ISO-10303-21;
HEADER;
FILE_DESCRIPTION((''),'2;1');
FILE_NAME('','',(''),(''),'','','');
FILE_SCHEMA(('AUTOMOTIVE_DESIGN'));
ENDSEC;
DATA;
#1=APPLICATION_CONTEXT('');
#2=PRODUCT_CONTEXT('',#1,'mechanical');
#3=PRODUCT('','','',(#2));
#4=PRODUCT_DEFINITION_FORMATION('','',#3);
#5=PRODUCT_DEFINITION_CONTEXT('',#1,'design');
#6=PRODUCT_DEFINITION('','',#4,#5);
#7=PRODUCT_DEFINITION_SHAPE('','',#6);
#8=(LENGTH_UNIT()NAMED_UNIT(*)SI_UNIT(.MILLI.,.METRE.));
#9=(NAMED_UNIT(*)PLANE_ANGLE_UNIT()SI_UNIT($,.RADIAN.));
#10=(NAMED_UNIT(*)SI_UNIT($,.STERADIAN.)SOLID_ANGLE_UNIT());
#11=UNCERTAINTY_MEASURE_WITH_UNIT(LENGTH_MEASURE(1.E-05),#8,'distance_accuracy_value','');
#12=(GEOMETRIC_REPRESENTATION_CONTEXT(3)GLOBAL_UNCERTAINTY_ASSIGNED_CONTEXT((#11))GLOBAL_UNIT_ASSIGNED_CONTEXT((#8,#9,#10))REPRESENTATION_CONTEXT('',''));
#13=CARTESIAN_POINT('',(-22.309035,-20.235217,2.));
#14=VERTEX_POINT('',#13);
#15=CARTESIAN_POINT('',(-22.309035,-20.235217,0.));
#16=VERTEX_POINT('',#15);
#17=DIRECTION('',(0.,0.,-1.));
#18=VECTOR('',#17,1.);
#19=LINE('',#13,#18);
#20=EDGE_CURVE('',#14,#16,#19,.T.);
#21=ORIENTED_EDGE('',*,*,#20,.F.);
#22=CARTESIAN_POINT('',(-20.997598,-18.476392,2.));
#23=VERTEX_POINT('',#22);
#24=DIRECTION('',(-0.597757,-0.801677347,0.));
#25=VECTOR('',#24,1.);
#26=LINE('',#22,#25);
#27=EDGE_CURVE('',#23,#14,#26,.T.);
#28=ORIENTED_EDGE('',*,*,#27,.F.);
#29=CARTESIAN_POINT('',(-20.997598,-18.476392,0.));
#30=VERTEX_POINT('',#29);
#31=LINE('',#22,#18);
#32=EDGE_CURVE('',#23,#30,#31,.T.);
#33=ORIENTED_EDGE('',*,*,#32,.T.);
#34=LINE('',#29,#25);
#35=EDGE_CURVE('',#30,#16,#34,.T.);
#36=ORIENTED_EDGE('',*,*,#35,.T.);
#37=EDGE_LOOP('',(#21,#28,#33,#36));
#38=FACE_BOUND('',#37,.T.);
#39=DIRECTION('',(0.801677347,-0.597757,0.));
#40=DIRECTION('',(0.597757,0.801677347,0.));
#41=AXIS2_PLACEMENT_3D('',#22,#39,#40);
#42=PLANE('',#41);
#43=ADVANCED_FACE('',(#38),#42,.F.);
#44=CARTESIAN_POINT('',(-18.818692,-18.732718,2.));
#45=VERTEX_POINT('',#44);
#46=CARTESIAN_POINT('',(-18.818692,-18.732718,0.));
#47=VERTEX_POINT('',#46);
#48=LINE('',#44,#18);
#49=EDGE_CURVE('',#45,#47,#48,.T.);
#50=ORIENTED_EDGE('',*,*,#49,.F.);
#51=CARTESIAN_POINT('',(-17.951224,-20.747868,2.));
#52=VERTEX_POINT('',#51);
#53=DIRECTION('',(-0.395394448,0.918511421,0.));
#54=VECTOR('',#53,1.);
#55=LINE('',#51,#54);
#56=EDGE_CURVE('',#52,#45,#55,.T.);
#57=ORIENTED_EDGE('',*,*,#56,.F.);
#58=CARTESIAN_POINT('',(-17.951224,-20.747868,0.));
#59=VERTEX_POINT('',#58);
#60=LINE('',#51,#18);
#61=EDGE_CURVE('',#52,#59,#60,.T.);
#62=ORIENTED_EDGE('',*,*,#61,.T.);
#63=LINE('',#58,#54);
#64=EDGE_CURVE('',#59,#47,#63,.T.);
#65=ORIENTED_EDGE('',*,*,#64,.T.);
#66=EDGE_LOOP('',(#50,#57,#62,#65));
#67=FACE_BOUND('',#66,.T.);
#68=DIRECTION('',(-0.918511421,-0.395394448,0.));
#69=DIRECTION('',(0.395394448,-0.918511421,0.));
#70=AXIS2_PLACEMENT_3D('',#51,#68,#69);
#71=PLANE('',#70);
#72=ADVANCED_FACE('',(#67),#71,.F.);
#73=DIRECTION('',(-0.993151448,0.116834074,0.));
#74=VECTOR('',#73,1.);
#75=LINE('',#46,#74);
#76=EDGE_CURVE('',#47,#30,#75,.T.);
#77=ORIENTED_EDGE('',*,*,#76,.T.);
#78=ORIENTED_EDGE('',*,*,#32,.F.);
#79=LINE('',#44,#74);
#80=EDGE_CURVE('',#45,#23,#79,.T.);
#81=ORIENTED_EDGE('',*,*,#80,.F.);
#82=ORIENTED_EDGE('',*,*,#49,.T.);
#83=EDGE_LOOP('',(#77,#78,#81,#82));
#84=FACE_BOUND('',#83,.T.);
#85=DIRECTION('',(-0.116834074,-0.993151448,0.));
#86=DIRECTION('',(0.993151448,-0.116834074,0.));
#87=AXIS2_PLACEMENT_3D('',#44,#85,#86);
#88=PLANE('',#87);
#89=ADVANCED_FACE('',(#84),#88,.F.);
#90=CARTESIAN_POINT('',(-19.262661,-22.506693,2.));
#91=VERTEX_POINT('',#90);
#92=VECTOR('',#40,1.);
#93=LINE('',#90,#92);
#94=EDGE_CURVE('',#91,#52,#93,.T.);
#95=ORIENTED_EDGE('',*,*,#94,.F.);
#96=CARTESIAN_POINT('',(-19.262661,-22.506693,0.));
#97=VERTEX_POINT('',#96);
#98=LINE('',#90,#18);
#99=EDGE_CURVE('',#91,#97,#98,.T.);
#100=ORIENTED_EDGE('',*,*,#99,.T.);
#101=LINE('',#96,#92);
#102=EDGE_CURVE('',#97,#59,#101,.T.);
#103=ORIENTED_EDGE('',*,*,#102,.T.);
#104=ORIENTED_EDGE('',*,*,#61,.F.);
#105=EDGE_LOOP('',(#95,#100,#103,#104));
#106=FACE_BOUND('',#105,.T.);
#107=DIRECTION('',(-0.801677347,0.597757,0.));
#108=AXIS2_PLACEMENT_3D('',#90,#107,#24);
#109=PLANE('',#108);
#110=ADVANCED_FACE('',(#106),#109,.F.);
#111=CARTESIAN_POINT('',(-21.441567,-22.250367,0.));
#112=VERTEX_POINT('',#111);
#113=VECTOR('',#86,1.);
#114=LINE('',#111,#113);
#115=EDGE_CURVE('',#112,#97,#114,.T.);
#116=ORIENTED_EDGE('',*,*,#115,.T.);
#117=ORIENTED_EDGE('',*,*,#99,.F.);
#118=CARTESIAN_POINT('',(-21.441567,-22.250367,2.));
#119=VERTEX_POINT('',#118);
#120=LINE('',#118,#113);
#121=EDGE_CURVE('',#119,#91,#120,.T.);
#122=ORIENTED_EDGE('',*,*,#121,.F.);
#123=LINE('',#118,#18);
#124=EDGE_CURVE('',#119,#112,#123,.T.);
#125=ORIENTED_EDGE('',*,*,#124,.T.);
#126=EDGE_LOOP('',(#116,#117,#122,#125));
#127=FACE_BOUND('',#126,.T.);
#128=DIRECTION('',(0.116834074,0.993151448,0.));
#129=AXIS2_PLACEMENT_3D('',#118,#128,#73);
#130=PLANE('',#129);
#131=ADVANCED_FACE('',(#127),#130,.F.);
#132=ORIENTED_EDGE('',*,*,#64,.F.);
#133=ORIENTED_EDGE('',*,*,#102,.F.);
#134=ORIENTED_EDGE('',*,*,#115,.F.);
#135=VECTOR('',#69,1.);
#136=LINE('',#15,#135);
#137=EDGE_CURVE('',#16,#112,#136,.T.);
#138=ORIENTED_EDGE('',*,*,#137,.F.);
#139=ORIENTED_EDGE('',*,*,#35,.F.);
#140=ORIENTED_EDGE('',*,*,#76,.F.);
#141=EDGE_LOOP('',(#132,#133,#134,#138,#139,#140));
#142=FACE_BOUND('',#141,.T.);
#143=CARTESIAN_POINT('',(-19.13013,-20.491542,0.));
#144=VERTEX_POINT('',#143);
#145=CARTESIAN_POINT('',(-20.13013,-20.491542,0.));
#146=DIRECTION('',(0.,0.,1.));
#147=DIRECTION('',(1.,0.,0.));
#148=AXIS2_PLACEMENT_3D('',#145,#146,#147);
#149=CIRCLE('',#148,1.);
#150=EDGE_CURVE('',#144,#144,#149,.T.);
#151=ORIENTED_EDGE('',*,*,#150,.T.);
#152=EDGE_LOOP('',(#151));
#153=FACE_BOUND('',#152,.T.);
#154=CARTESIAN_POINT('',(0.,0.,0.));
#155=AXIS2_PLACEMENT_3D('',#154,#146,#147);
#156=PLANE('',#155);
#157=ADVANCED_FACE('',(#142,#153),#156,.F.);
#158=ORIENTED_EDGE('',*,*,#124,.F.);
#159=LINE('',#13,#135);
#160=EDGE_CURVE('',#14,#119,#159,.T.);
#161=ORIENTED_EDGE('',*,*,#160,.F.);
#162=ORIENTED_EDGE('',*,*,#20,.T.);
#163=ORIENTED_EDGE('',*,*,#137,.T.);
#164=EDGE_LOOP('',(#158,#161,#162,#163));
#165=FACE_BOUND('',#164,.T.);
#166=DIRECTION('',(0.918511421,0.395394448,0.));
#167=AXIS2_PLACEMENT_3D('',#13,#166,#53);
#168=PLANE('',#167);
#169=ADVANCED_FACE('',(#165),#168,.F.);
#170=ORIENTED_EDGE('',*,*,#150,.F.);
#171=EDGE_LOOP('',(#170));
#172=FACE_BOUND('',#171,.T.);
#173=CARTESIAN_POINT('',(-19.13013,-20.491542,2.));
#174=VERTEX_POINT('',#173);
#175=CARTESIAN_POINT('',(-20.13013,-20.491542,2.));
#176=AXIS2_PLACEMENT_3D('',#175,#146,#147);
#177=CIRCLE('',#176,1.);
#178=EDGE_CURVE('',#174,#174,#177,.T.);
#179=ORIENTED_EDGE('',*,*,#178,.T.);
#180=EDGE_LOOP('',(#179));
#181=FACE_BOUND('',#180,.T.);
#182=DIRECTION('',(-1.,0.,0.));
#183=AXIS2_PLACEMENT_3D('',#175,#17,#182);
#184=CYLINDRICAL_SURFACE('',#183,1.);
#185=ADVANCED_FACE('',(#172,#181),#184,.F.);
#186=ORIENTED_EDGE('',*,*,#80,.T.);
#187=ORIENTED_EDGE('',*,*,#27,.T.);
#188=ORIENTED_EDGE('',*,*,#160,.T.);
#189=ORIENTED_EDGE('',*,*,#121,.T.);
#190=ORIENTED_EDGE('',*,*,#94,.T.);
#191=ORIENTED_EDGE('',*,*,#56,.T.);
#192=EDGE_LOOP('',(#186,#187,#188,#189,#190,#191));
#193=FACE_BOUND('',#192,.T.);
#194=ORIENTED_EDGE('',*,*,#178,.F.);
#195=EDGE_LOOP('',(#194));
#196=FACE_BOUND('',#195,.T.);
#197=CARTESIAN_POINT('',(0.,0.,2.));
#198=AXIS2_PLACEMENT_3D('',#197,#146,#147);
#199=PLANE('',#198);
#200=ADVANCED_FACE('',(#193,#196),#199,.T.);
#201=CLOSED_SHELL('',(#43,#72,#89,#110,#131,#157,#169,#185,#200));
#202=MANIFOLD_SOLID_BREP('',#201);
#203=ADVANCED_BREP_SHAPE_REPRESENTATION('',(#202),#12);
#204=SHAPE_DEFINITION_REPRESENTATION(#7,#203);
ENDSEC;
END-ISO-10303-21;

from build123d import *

# Parameters (mm, degrees)
SKETCH_1_R      = 1
EXTRUDE_1_DEPTH = 2


with BuildPart() as part:
    # 草图1 → 凸台-拉伸1 (new body)
    with BuildSketch(Plane.XY):
        Polygon((-18.81869197, -18.732717674), (-20.997597742, -18.476391775), (-22.309035369, -20.235216577), (-21.441567223, -22.250367278), (-19.26266145, -22.506693178), (-17.951223824, -20.747868375), align=None)
        with Locations((-20.130129596, -20.491542476)):
            Circle(SKETCH_1_R, mode=Mode.SUBTRACT)
    extrude(amount=EXTRUDE_1_DEPTH)


solid = part.part
